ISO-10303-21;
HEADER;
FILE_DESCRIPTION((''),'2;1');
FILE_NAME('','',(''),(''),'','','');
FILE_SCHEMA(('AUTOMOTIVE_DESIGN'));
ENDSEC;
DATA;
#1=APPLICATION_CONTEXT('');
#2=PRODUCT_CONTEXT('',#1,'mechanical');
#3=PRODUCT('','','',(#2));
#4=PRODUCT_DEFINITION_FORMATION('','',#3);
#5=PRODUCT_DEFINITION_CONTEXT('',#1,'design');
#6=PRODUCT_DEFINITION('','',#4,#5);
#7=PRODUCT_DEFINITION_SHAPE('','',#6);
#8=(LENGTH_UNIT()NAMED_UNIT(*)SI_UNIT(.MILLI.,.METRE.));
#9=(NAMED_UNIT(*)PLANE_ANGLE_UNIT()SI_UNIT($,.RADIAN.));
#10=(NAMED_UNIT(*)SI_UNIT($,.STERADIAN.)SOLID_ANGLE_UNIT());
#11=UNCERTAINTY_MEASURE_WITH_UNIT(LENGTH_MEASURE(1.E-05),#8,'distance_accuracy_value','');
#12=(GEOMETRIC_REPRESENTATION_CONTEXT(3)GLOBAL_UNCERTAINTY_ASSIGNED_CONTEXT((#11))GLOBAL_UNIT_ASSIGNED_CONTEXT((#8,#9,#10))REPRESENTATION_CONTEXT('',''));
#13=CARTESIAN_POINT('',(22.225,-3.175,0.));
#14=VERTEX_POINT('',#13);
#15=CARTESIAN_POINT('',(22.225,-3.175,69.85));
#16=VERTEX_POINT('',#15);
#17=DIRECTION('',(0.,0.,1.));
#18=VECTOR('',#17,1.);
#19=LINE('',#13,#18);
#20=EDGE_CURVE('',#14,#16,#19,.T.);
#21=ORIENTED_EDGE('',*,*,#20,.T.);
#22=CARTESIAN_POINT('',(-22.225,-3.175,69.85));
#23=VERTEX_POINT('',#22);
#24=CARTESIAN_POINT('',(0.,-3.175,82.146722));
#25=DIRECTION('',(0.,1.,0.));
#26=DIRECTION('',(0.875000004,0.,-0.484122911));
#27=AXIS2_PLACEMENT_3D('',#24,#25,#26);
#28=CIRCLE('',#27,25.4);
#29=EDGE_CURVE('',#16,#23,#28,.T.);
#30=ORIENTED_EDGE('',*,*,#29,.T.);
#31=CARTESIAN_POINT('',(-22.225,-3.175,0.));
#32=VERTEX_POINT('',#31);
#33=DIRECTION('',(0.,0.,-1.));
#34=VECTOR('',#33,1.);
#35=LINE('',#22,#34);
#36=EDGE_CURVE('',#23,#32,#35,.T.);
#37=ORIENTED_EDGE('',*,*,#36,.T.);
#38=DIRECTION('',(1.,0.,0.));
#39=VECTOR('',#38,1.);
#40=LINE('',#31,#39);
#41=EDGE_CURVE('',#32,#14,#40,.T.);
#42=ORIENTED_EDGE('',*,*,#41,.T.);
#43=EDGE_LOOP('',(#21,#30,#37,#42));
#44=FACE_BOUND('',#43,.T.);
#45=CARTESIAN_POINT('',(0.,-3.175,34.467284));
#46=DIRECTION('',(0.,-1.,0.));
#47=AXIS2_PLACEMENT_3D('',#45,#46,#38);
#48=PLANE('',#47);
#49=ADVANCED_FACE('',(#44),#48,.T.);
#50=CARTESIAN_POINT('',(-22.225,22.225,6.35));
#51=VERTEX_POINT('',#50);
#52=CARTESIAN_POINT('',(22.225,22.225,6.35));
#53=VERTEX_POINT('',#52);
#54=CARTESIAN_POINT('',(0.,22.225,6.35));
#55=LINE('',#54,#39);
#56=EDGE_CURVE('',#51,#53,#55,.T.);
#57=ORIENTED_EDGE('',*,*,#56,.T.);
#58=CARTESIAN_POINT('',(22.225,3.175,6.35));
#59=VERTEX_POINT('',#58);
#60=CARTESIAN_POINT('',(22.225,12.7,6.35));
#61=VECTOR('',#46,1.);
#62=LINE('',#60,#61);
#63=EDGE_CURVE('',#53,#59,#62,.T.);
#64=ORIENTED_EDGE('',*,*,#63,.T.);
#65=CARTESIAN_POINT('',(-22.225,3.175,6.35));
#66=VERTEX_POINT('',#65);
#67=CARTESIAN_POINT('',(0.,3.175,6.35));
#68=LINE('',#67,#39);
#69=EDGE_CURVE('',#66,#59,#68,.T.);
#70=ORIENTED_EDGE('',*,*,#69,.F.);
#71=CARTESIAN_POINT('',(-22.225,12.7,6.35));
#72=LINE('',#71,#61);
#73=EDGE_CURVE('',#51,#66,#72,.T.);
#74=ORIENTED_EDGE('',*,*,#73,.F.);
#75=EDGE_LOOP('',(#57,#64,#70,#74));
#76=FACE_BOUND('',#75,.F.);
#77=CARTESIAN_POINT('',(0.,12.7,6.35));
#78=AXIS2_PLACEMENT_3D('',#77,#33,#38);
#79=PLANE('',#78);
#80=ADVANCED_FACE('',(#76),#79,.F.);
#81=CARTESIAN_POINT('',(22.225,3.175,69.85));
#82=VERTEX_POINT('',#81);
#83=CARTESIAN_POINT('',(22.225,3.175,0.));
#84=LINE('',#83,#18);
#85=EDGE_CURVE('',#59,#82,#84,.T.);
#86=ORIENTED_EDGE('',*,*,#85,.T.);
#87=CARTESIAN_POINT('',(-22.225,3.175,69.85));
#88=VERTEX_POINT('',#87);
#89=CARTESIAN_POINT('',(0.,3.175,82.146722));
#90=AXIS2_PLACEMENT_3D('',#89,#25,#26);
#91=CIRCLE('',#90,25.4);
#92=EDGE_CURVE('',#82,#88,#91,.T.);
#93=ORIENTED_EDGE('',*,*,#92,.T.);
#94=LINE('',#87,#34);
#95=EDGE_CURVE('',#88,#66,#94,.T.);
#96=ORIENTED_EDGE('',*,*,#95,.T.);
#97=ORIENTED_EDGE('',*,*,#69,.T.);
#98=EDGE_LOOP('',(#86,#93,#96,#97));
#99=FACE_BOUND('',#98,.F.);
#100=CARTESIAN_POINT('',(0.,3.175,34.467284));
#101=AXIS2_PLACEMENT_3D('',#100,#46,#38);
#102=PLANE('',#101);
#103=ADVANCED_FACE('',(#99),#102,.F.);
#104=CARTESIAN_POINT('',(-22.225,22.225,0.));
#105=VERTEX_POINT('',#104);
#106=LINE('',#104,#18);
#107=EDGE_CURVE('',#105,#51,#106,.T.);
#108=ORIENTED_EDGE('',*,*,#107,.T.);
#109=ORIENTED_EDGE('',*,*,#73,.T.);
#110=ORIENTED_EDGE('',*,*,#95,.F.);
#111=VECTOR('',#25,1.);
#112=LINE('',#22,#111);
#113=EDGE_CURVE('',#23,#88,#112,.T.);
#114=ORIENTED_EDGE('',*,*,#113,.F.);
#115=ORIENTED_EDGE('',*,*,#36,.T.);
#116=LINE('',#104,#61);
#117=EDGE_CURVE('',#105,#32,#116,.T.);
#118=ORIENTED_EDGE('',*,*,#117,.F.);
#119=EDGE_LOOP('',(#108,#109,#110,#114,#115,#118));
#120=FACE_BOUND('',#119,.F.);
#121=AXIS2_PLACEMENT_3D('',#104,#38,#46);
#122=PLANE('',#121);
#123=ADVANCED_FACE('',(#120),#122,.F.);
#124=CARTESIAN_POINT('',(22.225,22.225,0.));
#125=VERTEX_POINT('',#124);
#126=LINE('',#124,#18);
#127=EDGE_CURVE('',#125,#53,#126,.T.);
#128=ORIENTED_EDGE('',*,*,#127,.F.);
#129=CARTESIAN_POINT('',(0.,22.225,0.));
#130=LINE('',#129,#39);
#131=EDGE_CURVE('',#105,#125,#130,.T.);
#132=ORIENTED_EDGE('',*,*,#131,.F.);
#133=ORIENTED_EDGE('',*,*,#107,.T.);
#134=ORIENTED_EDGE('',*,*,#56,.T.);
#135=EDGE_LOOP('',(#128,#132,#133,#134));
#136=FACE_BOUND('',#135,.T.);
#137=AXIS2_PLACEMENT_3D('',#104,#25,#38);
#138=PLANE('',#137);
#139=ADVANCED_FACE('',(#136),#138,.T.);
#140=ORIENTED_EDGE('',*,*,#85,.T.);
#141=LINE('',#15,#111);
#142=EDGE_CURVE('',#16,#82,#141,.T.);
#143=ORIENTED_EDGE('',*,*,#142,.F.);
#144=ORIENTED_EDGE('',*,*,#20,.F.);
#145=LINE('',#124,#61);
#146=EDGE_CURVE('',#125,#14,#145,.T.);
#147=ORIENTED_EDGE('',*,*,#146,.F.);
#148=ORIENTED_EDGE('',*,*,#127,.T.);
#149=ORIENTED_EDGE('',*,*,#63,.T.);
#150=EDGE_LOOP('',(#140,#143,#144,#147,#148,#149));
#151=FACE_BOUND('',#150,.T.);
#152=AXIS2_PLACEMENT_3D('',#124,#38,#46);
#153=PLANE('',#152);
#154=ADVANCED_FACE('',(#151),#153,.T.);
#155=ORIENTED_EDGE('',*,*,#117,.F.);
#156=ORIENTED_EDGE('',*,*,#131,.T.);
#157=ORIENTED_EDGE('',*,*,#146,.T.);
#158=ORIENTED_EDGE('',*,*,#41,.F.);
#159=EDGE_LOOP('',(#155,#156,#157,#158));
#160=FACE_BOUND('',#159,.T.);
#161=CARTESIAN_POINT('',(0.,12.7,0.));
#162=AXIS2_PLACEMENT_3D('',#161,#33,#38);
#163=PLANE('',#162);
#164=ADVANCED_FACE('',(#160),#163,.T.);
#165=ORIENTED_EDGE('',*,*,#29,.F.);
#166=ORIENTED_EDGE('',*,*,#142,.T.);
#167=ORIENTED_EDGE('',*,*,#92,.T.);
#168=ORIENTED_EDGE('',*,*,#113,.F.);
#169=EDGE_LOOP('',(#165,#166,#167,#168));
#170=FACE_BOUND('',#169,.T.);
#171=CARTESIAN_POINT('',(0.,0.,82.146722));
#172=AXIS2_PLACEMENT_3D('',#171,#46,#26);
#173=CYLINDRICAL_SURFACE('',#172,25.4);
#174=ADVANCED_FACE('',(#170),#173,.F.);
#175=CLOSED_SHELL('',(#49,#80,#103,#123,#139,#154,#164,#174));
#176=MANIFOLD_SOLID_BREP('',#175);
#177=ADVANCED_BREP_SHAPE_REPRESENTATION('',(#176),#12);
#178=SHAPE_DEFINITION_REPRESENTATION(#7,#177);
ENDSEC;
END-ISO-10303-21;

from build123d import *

# Parameters (mm, degrees)
F1_DEPTH = 3.175
F2_W     = 44.45
F2_H     = 19.05
F3_DEPTH = 6.35


with BuildPart() as f1:
    # F0 (on Front) → F1 (new body, symmetric)
    with BuildSketch(Plane.XZ):
        with BuildLine():
            Line((-22.225, 69.85), (-22.225, 0))
            Line((-22.225, 0), (22.225, 0))
            Line((22.225, 0), (22.225, 69.85))
            ThreePointArc((22.225, 69.85), (0, 56.746722), (-22.225, 69.85))
        make_face()
    extrude(amount=F1_DEPTH, both=True)

    # F2 (on face) → F3 (join)
    with BuildSketch(Plane(origin=(0, 0, 0), x_dir=(1, 0, 0), z_dir=(0, 0, -1))):
        with Locations((0, -12.7)):
            Rectangle(F2_W, F2_H)
    extrude(amount=-F3_DEPTH)


solid = f1.part
